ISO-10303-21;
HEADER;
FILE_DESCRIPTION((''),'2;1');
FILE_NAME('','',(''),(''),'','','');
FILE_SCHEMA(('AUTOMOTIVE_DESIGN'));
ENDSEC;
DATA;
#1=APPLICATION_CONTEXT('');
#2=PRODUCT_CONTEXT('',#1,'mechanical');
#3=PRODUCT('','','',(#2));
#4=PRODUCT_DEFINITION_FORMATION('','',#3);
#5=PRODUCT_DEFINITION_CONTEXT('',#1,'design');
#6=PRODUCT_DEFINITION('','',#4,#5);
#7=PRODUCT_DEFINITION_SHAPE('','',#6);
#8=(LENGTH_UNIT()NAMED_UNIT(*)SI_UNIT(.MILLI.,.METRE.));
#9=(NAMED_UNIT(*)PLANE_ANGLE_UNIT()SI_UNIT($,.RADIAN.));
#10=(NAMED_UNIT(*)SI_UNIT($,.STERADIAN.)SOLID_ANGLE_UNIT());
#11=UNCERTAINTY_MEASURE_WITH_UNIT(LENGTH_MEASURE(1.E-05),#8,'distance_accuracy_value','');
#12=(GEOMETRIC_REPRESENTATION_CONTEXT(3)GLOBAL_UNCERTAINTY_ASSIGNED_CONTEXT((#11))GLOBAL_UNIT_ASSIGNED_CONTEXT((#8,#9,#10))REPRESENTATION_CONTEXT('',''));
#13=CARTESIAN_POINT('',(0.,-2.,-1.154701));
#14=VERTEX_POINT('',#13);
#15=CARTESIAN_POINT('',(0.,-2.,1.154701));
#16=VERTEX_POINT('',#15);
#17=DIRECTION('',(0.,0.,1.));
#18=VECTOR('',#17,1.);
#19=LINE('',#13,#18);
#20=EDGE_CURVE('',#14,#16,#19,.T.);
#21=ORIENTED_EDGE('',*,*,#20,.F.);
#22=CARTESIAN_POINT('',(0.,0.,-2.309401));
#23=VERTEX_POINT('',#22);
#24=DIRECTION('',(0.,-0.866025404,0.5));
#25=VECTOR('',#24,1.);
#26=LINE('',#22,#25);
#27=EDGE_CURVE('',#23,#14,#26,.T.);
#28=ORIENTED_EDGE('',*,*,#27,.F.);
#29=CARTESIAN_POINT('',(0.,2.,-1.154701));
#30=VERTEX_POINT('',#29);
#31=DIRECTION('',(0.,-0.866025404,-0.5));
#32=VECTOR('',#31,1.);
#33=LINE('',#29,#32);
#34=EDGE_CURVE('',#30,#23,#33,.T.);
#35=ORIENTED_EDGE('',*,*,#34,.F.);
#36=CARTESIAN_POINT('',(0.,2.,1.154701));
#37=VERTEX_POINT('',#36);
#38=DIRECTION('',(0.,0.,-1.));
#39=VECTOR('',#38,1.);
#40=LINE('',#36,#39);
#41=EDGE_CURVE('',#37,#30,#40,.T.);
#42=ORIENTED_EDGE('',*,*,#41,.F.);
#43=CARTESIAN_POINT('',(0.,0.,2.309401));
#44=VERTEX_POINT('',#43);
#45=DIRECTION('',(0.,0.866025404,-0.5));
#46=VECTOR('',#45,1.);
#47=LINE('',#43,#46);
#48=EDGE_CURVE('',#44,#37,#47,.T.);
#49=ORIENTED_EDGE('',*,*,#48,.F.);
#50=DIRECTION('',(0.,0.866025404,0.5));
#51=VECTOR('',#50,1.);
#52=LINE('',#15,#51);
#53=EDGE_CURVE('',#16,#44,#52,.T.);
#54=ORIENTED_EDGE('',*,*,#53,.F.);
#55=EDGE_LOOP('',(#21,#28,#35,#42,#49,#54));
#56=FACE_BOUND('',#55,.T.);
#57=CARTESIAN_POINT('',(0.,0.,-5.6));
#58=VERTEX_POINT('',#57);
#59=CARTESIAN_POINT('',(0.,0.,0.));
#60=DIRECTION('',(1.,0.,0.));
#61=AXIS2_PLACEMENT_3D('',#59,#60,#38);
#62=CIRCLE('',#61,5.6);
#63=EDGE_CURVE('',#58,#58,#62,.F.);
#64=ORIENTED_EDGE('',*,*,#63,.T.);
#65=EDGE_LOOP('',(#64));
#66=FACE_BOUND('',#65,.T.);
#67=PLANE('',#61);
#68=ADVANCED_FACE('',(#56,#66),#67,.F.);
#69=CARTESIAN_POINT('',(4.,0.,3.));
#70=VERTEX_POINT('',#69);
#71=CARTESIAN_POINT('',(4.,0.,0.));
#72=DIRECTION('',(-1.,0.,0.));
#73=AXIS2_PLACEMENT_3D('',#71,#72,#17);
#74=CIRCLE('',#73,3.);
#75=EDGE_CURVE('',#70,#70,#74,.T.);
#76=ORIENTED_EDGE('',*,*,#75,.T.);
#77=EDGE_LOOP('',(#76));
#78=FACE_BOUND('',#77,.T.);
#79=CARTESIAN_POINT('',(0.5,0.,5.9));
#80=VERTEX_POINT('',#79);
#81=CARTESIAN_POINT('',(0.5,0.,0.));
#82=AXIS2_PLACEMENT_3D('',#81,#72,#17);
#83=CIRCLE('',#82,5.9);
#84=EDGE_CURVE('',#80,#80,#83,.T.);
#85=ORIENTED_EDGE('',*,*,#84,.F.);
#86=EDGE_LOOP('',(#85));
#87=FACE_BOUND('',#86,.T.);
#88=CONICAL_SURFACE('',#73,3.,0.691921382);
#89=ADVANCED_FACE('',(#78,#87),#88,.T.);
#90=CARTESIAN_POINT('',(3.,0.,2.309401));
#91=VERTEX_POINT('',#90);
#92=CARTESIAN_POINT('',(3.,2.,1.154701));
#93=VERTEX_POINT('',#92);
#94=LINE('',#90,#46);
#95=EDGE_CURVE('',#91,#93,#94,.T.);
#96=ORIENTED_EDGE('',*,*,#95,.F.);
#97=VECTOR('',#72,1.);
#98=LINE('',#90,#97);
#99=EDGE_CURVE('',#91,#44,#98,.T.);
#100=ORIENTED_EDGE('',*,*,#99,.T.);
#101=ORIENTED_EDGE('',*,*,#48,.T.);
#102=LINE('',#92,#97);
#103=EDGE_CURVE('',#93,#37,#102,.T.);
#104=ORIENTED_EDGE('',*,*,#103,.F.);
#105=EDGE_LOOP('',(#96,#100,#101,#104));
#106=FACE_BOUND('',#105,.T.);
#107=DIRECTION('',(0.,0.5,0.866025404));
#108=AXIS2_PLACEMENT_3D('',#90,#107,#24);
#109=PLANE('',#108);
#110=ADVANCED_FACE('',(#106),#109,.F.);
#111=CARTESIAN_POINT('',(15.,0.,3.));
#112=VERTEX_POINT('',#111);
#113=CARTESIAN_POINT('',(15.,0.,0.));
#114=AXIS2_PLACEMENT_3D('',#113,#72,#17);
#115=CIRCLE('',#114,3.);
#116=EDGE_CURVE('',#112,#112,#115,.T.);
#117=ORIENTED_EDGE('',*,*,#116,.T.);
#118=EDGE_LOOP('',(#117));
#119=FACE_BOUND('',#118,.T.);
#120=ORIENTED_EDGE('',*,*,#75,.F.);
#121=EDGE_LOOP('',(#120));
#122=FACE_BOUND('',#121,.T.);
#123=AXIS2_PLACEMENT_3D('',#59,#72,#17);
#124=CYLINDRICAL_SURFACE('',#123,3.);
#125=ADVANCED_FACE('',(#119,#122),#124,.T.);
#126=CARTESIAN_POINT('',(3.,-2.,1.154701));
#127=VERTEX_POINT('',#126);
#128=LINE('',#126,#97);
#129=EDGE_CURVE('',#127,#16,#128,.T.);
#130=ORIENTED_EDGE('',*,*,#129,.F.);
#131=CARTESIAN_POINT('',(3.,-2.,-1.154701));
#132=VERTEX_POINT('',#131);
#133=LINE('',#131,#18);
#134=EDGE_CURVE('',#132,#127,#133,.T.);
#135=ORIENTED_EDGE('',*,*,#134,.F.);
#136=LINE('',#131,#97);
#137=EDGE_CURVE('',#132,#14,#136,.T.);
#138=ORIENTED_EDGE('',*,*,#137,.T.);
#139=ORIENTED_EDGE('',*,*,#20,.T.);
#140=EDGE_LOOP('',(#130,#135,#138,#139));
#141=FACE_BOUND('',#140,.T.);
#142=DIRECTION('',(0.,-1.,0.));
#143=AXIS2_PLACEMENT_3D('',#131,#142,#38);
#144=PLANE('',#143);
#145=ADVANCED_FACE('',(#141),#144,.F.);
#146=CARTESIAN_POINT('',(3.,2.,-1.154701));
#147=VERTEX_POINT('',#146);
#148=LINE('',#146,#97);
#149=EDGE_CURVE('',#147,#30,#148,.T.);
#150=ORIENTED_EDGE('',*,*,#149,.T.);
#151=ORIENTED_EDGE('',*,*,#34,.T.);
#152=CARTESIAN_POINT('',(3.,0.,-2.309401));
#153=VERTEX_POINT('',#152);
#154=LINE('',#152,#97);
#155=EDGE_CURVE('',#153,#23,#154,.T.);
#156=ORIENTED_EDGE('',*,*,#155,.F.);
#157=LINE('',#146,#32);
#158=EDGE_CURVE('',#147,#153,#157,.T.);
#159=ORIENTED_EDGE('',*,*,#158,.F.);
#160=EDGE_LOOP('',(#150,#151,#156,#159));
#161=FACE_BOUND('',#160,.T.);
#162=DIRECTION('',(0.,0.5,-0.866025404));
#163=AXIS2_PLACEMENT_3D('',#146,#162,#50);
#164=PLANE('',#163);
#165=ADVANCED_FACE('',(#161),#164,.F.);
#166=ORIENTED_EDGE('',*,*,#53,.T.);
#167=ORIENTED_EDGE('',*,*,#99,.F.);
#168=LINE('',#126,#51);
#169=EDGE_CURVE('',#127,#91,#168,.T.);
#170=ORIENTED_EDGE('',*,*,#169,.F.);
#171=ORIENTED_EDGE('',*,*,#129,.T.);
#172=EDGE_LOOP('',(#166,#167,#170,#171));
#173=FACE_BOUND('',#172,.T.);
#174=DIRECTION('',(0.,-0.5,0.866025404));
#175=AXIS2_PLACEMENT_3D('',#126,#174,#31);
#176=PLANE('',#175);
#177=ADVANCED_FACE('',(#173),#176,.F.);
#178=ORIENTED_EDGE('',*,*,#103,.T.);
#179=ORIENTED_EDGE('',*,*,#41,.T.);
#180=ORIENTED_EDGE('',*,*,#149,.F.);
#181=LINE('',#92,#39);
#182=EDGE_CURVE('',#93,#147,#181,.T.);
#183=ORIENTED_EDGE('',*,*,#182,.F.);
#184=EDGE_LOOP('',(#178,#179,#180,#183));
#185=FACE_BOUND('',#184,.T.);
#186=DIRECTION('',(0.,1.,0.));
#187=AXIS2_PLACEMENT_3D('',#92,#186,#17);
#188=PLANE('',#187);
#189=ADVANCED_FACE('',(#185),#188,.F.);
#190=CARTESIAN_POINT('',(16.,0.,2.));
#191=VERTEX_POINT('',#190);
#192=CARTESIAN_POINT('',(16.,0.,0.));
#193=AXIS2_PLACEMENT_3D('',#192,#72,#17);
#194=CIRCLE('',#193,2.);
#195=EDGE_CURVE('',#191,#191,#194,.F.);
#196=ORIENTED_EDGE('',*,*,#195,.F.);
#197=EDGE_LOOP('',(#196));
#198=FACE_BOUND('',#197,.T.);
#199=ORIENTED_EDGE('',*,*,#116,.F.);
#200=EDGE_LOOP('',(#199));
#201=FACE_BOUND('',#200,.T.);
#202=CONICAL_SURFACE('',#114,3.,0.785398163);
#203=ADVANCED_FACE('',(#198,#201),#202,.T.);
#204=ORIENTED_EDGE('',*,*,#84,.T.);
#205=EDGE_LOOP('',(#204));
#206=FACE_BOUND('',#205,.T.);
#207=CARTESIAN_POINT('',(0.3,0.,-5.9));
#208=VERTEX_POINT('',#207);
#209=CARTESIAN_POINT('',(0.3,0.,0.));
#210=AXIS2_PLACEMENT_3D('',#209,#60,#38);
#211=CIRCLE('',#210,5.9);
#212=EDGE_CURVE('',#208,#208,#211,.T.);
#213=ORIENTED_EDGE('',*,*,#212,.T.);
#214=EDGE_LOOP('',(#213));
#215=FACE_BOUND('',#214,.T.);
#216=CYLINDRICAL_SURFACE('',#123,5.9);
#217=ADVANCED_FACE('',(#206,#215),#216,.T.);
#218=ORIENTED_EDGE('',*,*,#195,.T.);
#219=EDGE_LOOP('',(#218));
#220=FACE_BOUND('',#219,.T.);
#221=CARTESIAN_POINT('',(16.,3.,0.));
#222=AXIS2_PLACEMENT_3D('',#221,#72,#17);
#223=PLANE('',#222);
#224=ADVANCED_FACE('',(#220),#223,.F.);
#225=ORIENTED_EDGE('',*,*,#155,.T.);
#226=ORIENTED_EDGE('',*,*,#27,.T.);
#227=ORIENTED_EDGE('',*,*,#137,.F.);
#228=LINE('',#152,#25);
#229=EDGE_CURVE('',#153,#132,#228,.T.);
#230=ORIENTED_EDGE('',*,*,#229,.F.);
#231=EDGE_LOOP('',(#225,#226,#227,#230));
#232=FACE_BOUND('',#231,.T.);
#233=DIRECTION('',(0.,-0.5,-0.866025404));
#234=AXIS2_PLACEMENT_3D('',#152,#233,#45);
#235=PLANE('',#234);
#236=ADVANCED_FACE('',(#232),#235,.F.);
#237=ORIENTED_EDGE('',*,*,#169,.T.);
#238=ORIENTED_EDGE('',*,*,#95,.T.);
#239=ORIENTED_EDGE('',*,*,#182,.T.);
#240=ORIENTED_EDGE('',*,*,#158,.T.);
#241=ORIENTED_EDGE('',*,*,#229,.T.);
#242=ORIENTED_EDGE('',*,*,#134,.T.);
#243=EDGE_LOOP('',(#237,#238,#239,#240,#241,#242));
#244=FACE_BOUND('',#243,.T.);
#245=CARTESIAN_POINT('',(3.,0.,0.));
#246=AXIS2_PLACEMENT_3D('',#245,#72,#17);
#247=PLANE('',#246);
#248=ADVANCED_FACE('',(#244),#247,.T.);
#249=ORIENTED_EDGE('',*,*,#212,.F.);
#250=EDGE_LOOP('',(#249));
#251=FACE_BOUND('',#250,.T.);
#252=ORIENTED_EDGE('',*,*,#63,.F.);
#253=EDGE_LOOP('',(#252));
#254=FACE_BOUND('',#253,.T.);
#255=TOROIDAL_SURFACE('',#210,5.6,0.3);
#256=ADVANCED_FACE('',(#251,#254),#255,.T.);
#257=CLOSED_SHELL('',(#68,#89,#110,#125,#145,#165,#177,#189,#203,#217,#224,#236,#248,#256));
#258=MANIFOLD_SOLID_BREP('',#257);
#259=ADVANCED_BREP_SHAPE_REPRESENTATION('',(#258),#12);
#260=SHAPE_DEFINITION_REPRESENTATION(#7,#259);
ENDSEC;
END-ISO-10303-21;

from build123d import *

# Parameters (mm, degrees)
CUT_EXTRUDE_1_DEPTH = 3
FILLET_1_R          = 0.3
CHAMFER_1_SIZE      = 1


with BuildPart() as part:
    # Эскиз1 → Повернуть1 (revolve)
    with BuildSketch(Plane.XY, mode=Mode.PRIVATE) as revolve_1_sk:
        Polygon((0, 0), (0, 5.9), (0.5, 5.9), (4, 3), (16, 3), (16, 0), align=None)
    revolve(revolve_1_sk.sketch.rotate(Axis((0, 0, 0), (1, 0, 0)), 90), axis=Axis((0, 0, 0), (1, 0, 0)))  # turned: the seam where the file's is

    # Эскиз2 → Вырез-Вытянуть1 (cut)
    with BuildSketch(Plane.ZY):
        Polygon((1.154700538, 2), (-1.154700538, 2), (-2.309401077, 0), (-1.154700538, -2), (1.154700538, -2), (2.309401077, 0), align=None)
    extrude(amount=-CUT_EXTRUDE_1_DEPTH, mode=Mode.SUBTRACT)

    # Скругление1
    fillet_1_edges = [part.edges().sort_by_distance(p)[0] for p in [
        (0, 0, -5.9),
    ]]
    fillet(fillet_1_edges, radius=FILLET_1_R)

    # Фаска1
    chamfer_1_edges = [part.edges().sort_by_distance(p)[0] for p in [
        (16, 0, -3),
    ]]
    chamfer(chamfer_1_edges, length=CHAMFER_1_SIZE)


solid = part.part
